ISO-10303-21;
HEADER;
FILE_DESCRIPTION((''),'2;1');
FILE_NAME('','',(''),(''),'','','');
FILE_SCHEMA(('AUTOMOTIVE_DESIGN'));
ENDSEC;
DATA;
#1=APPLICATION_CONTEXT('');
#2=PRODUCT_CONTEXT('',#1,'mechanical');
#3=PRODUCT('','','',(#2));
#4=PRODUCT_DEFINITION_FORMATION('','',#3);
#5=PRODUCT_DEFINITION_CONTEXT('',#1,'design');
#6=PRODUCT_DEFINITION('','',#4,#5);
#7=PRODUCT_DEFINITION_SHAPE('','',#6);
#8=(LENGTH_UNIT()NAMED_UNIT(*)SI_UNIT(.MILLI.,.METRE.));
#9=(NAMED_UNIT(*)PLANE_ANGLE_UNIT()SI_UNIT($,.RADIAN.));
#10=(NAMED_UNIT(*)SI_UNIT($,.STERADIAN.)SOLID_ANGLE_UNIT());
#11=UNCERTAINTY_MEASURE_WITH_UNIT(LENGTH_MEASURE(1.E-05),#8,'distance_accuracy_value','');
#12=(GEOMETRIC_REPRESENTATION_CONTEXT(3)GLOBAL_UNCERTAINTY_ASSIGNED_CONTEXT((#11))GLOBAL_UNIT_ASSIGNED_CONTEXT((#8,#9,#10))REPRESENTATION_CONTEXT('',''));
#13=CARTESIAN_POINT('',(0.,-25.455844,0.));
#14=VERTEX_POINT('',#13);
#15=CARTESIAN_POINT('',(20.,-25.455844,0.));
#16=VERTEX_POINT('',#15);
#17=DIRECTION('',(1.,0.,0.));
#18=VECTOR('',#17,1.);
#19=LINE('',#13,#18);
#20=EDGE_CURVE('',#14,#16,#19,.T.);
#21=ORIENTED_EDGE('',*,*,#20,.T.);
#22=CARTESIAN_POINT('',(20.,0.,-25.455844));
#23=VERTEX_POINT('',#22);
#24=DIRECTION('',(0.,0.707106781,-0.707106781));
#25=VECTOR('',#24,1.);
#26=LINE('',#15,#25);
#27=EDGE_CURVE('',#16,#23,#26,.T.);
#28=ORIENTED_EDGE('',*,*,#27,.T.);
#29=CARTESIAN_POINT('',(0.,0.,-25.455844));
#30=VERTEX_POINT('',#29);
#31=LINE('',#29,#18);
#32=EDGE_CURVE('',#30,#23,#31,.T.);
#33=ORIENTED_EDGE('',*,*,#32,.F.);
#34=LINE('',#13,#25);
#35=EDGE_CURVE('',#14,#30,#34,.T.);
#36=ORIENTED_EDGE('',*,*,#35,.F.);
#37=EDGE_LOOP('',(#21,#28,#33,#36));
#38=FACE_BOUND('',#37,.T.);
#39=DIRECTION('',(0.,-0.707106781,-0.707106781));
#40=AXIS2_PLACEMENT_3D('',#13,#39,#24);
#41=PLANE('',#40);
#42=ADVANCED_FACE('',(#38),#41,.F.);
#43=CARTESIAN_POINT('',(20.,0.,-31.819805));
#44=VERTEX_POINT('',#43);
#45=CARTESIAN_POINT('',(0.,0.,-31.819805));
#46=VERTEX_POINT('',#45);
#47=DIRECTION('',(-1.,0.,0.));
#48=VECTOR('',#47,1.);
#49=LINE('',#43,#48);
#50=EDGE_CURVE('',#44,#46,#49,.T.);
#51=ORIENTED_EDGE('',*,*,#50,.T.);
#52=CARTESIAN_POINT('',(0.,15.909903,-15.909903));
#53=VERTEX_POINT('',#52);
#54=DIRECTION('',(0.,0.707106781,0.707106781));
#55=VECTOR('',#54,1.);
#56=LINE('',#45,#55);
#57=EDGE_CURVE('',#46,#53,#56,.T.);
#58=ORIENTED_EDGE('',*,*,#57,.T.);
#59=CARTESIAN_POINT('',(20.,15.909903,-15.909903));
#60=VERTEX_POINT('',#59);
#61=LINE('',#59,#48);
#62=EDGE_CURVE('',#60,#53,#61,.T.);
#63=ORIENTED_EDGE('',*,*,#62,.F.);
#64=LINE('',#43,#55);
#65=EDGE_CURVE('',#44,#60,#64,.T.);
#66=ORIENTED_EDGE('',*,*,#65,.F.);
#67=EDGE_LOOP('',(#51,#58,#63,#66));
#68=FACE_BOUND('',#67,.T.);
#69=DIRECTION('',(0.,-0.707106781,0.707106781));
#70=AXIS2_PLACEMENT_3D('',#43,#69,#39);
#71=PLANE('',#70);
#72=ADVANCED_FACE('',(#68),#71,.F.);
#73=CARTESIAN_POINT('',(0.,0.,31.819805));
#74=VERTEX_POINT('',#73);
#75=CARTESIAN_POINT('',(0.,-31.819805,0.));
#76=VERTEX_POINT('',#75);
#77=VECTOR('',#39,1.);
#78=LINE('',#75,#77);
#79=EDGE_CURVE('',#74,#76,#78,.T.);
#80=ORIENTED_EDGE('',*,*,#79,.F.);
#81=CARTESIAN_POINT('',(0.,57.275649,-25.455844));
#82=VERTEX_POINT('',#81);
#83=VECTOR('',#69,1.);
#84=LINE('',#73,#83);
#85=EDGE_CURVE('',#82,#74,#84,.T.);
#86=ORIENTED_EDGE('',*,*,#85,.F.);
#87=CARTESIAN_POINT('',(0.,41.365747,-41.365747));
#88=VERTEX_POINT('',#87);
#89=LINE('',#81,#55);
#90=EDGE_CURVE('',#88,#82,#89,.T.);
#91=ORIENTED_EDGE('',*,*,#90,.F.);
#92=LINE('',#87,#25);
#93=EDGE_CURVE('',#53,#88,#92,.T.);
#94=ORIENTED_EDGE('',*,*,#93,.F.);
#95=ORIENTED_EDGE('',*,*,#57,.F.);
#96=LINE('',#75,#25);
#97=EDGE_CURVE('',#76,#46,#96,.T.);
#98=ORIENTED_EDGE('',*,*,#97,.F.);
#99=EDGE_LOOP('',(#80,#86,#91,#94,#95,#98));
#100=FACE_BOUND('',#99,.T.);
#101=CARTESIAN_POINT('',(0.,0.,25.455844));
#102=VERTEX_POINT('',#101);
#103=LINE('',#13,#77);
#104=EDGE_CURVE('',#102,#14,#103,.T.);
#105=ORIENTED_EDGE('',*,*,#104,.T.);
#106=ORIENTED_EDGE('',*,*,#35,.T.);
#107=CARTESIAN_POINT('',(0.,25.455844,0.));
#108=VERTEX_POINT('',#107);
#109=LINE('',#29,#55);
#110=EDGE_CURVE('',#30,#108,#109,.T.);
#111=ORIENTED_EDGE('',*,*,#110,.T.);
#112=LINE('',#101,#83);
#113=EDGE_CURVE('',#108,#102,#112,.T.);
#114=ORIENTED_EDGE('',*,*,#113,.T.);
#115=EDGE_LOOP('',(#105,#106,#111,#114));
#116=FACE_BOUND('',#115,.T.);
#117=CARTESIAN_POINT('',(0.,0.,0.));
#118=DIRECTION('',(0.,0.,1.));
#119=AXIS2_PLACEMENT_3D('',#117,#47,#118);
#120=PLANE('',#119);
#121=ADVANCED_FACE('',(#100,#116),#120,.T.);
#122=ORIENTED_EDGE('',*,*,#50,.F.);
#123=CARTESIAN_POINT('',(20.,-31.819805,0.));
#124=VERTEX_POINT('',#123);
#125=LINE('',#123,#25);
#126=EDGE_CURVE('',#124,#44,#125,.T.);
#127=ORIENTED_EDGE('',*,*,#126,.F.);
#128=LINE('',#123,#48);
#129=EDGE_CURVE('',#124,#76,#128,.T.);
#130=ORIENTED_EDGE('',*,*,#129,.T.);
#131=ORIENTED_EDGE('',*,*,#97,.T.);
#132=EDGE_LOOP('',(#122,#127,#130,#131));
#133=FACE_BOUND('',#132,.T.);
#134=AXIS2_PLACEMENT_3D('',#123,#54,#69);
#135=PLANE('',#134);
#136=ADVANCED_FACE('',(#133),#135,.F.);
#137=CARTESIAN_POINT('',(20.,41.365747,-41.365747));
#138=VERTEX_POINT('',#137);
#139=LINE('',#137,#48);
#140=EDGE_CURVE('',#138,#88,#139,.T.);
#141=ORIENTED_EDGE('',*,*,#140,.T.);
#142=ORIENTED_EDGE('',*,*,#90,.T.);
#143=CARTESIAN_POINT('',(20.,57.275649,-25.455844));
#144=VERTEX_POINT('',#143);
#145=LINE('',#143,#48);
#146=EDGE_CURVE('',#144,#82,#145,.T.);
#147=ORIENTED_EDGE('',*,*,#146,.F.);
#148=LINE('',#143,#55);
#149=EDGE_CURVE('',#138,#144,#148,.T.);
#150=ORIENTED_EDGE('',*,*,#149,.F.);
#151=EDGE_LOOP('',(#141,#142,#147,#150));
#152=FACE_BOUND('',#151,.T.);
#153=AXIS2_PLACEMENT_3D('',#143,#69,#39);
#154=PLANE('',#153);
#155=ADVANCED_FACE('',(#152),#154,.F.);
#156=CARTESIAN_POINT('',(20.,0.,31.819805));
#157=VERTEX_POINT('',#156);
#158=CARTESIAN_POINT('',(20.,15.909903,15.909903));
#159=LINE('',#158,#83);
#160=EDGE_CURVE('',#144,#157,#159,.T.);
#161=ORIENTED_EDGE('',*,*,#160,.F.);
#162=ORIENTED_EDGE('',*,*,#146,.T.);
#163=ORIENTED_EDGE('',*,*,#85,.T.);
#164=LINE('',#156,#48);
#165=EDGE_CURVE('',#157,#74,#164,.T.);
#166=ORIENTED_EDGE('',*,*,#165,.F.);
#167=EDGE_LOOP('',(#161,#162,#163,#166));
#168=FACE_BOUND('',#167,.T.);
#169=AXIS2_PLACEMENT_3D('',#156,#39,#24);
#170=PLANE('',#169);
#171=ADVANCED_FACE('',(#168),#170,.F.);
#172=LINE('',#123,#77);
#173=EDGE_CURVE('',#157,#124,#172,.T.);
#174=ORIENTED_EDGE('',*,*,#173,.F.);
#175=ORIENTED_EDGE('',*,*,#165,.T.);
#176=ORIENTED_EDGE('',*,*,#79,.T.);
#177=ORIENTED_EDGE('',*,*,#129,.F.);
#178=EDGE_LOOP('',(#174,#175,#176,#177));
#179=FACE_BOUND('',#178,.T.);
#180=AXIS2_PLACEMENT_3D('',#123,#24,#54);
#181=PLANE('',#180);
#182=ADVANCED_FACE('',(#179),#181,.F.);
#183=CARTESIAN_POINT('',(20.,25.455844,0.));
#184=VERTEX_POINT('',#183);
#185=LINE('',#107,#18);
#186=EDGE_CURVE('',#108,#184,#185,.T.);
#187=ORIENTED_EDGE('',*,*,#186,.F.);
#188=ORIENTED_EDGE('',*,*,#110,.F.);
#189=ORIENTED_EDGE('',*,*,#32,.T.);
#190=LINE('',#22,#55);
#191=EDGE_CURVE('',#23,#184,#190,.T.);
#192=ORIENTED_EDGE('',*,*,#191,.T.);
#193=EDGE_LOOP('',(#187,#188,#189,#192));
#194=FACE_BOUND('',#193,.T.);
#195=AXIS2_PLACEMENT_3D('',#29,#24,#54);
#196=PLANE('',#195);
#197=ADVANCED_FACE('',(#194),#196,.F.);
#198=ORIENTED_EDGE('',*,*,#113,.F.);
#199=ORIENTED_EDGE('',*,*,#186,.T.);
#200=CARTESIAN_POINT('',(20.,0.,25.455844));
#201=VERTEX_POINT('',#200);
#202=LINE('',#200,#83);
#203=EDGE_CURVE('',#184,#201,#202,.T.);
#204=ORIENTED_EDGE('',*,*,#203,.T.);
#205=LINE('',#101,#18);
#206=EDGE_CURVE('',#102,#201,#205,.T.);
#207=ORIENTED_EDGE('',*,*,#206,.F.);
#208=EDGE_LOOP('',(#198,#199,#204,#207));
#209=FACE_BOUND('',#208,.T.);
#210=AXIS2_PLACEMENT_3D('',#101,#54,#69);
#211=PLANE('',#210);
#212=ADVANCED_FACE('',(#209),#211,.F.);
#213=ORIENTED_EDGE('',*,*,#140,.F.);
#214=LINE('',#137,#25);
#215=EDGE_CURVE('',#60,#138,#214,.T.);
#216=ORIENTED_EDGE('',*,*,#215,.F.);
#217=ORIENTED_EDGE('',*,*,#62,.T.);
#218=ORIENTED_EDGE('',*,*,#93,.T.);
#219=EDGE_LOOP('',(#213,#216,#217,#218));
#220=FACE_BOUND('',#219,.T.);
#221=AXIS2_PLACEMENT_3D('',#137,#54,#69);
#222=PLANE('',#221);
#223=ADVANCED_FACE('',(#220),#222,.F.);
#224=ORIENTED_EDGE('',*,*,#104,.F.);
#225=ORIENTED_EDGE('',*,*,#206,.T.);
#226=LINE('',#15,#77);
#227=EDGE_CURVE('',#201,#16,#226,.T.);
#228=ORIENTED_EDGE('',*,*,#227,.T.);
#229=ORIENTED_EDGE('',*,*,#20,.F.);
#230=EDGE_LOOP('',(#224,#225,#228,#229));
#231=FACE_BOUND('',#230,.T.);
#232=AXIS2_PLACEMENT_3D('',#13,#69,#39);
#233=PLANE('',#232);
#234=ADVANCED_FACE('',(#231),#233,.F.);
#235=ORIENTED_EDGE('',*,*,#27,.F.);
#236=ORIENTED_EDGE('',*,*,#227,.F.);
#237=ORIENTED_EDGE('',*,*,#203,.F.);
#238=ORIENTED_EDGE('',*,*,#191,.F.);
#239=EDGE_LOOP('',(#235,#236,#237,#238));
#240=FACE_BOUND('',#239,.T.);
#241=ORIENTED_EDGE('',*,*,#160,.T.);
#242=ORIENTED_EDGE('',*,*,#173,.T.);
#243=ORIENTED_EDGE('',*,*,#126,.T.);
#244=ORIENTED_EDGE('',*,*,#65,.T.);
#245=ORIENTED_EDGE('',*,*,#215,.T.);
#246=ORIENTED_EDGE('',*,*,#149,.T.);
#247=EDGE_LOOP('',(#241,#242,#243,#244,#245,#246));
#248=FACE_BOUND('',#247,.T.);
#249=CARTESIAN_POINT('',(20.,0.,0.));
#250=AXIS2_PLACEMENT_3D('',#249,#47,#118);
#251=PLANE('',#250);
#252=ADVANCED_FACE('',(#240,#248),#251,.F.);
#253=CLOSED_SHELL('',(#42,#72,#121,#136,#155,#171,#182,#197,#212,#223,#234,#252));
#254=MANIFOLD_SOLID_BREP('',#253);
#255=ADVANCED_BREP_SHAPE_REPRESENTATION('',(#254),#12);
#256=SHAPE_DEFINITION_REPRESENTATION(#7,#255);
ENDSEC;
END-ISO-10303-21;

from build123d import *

# Parameters (mm, degrees)
EXTRUDE_1_DEPTH     = 20
CUT_EXTRUDE_1_DEPTH = 20


with BuildPart() as part:
    # 草图2 → 凸台-拉伸1 (new body)
    with BuildSketch(Plane(origin=(0, 0, 0), x_dir=(0, 0, -1), z_dir=(1, 0, 0))):
        Polygon((0, -31.819805153), (31.819805153, 0), (15.909902577, 15.909902577), (41.365746699, 41.365746699), (25.455844123, 57.275649276), (-15.909902577, 15.909902577), (-31.819805153, 0), align=None)
    extrude(amount=EXTRUDE_1_DEPTH)

    # 草图3 → 切除-拉伸1 (cut)
    with BuildSketch(Plane(origin=(20, 0, 0), x_dir=(0, 0, -1), z_dir=(1, 0, 0))):
        Polygon((0, -25.455844123), (25.455844123, 0), (0, 25.455844123), (-25.455844123, 0), align=None)
    extrude(amount=-CUT_EXTRUDE_1_DEPTH, mode=Mode.SUBTRACT)


solid = part.part
